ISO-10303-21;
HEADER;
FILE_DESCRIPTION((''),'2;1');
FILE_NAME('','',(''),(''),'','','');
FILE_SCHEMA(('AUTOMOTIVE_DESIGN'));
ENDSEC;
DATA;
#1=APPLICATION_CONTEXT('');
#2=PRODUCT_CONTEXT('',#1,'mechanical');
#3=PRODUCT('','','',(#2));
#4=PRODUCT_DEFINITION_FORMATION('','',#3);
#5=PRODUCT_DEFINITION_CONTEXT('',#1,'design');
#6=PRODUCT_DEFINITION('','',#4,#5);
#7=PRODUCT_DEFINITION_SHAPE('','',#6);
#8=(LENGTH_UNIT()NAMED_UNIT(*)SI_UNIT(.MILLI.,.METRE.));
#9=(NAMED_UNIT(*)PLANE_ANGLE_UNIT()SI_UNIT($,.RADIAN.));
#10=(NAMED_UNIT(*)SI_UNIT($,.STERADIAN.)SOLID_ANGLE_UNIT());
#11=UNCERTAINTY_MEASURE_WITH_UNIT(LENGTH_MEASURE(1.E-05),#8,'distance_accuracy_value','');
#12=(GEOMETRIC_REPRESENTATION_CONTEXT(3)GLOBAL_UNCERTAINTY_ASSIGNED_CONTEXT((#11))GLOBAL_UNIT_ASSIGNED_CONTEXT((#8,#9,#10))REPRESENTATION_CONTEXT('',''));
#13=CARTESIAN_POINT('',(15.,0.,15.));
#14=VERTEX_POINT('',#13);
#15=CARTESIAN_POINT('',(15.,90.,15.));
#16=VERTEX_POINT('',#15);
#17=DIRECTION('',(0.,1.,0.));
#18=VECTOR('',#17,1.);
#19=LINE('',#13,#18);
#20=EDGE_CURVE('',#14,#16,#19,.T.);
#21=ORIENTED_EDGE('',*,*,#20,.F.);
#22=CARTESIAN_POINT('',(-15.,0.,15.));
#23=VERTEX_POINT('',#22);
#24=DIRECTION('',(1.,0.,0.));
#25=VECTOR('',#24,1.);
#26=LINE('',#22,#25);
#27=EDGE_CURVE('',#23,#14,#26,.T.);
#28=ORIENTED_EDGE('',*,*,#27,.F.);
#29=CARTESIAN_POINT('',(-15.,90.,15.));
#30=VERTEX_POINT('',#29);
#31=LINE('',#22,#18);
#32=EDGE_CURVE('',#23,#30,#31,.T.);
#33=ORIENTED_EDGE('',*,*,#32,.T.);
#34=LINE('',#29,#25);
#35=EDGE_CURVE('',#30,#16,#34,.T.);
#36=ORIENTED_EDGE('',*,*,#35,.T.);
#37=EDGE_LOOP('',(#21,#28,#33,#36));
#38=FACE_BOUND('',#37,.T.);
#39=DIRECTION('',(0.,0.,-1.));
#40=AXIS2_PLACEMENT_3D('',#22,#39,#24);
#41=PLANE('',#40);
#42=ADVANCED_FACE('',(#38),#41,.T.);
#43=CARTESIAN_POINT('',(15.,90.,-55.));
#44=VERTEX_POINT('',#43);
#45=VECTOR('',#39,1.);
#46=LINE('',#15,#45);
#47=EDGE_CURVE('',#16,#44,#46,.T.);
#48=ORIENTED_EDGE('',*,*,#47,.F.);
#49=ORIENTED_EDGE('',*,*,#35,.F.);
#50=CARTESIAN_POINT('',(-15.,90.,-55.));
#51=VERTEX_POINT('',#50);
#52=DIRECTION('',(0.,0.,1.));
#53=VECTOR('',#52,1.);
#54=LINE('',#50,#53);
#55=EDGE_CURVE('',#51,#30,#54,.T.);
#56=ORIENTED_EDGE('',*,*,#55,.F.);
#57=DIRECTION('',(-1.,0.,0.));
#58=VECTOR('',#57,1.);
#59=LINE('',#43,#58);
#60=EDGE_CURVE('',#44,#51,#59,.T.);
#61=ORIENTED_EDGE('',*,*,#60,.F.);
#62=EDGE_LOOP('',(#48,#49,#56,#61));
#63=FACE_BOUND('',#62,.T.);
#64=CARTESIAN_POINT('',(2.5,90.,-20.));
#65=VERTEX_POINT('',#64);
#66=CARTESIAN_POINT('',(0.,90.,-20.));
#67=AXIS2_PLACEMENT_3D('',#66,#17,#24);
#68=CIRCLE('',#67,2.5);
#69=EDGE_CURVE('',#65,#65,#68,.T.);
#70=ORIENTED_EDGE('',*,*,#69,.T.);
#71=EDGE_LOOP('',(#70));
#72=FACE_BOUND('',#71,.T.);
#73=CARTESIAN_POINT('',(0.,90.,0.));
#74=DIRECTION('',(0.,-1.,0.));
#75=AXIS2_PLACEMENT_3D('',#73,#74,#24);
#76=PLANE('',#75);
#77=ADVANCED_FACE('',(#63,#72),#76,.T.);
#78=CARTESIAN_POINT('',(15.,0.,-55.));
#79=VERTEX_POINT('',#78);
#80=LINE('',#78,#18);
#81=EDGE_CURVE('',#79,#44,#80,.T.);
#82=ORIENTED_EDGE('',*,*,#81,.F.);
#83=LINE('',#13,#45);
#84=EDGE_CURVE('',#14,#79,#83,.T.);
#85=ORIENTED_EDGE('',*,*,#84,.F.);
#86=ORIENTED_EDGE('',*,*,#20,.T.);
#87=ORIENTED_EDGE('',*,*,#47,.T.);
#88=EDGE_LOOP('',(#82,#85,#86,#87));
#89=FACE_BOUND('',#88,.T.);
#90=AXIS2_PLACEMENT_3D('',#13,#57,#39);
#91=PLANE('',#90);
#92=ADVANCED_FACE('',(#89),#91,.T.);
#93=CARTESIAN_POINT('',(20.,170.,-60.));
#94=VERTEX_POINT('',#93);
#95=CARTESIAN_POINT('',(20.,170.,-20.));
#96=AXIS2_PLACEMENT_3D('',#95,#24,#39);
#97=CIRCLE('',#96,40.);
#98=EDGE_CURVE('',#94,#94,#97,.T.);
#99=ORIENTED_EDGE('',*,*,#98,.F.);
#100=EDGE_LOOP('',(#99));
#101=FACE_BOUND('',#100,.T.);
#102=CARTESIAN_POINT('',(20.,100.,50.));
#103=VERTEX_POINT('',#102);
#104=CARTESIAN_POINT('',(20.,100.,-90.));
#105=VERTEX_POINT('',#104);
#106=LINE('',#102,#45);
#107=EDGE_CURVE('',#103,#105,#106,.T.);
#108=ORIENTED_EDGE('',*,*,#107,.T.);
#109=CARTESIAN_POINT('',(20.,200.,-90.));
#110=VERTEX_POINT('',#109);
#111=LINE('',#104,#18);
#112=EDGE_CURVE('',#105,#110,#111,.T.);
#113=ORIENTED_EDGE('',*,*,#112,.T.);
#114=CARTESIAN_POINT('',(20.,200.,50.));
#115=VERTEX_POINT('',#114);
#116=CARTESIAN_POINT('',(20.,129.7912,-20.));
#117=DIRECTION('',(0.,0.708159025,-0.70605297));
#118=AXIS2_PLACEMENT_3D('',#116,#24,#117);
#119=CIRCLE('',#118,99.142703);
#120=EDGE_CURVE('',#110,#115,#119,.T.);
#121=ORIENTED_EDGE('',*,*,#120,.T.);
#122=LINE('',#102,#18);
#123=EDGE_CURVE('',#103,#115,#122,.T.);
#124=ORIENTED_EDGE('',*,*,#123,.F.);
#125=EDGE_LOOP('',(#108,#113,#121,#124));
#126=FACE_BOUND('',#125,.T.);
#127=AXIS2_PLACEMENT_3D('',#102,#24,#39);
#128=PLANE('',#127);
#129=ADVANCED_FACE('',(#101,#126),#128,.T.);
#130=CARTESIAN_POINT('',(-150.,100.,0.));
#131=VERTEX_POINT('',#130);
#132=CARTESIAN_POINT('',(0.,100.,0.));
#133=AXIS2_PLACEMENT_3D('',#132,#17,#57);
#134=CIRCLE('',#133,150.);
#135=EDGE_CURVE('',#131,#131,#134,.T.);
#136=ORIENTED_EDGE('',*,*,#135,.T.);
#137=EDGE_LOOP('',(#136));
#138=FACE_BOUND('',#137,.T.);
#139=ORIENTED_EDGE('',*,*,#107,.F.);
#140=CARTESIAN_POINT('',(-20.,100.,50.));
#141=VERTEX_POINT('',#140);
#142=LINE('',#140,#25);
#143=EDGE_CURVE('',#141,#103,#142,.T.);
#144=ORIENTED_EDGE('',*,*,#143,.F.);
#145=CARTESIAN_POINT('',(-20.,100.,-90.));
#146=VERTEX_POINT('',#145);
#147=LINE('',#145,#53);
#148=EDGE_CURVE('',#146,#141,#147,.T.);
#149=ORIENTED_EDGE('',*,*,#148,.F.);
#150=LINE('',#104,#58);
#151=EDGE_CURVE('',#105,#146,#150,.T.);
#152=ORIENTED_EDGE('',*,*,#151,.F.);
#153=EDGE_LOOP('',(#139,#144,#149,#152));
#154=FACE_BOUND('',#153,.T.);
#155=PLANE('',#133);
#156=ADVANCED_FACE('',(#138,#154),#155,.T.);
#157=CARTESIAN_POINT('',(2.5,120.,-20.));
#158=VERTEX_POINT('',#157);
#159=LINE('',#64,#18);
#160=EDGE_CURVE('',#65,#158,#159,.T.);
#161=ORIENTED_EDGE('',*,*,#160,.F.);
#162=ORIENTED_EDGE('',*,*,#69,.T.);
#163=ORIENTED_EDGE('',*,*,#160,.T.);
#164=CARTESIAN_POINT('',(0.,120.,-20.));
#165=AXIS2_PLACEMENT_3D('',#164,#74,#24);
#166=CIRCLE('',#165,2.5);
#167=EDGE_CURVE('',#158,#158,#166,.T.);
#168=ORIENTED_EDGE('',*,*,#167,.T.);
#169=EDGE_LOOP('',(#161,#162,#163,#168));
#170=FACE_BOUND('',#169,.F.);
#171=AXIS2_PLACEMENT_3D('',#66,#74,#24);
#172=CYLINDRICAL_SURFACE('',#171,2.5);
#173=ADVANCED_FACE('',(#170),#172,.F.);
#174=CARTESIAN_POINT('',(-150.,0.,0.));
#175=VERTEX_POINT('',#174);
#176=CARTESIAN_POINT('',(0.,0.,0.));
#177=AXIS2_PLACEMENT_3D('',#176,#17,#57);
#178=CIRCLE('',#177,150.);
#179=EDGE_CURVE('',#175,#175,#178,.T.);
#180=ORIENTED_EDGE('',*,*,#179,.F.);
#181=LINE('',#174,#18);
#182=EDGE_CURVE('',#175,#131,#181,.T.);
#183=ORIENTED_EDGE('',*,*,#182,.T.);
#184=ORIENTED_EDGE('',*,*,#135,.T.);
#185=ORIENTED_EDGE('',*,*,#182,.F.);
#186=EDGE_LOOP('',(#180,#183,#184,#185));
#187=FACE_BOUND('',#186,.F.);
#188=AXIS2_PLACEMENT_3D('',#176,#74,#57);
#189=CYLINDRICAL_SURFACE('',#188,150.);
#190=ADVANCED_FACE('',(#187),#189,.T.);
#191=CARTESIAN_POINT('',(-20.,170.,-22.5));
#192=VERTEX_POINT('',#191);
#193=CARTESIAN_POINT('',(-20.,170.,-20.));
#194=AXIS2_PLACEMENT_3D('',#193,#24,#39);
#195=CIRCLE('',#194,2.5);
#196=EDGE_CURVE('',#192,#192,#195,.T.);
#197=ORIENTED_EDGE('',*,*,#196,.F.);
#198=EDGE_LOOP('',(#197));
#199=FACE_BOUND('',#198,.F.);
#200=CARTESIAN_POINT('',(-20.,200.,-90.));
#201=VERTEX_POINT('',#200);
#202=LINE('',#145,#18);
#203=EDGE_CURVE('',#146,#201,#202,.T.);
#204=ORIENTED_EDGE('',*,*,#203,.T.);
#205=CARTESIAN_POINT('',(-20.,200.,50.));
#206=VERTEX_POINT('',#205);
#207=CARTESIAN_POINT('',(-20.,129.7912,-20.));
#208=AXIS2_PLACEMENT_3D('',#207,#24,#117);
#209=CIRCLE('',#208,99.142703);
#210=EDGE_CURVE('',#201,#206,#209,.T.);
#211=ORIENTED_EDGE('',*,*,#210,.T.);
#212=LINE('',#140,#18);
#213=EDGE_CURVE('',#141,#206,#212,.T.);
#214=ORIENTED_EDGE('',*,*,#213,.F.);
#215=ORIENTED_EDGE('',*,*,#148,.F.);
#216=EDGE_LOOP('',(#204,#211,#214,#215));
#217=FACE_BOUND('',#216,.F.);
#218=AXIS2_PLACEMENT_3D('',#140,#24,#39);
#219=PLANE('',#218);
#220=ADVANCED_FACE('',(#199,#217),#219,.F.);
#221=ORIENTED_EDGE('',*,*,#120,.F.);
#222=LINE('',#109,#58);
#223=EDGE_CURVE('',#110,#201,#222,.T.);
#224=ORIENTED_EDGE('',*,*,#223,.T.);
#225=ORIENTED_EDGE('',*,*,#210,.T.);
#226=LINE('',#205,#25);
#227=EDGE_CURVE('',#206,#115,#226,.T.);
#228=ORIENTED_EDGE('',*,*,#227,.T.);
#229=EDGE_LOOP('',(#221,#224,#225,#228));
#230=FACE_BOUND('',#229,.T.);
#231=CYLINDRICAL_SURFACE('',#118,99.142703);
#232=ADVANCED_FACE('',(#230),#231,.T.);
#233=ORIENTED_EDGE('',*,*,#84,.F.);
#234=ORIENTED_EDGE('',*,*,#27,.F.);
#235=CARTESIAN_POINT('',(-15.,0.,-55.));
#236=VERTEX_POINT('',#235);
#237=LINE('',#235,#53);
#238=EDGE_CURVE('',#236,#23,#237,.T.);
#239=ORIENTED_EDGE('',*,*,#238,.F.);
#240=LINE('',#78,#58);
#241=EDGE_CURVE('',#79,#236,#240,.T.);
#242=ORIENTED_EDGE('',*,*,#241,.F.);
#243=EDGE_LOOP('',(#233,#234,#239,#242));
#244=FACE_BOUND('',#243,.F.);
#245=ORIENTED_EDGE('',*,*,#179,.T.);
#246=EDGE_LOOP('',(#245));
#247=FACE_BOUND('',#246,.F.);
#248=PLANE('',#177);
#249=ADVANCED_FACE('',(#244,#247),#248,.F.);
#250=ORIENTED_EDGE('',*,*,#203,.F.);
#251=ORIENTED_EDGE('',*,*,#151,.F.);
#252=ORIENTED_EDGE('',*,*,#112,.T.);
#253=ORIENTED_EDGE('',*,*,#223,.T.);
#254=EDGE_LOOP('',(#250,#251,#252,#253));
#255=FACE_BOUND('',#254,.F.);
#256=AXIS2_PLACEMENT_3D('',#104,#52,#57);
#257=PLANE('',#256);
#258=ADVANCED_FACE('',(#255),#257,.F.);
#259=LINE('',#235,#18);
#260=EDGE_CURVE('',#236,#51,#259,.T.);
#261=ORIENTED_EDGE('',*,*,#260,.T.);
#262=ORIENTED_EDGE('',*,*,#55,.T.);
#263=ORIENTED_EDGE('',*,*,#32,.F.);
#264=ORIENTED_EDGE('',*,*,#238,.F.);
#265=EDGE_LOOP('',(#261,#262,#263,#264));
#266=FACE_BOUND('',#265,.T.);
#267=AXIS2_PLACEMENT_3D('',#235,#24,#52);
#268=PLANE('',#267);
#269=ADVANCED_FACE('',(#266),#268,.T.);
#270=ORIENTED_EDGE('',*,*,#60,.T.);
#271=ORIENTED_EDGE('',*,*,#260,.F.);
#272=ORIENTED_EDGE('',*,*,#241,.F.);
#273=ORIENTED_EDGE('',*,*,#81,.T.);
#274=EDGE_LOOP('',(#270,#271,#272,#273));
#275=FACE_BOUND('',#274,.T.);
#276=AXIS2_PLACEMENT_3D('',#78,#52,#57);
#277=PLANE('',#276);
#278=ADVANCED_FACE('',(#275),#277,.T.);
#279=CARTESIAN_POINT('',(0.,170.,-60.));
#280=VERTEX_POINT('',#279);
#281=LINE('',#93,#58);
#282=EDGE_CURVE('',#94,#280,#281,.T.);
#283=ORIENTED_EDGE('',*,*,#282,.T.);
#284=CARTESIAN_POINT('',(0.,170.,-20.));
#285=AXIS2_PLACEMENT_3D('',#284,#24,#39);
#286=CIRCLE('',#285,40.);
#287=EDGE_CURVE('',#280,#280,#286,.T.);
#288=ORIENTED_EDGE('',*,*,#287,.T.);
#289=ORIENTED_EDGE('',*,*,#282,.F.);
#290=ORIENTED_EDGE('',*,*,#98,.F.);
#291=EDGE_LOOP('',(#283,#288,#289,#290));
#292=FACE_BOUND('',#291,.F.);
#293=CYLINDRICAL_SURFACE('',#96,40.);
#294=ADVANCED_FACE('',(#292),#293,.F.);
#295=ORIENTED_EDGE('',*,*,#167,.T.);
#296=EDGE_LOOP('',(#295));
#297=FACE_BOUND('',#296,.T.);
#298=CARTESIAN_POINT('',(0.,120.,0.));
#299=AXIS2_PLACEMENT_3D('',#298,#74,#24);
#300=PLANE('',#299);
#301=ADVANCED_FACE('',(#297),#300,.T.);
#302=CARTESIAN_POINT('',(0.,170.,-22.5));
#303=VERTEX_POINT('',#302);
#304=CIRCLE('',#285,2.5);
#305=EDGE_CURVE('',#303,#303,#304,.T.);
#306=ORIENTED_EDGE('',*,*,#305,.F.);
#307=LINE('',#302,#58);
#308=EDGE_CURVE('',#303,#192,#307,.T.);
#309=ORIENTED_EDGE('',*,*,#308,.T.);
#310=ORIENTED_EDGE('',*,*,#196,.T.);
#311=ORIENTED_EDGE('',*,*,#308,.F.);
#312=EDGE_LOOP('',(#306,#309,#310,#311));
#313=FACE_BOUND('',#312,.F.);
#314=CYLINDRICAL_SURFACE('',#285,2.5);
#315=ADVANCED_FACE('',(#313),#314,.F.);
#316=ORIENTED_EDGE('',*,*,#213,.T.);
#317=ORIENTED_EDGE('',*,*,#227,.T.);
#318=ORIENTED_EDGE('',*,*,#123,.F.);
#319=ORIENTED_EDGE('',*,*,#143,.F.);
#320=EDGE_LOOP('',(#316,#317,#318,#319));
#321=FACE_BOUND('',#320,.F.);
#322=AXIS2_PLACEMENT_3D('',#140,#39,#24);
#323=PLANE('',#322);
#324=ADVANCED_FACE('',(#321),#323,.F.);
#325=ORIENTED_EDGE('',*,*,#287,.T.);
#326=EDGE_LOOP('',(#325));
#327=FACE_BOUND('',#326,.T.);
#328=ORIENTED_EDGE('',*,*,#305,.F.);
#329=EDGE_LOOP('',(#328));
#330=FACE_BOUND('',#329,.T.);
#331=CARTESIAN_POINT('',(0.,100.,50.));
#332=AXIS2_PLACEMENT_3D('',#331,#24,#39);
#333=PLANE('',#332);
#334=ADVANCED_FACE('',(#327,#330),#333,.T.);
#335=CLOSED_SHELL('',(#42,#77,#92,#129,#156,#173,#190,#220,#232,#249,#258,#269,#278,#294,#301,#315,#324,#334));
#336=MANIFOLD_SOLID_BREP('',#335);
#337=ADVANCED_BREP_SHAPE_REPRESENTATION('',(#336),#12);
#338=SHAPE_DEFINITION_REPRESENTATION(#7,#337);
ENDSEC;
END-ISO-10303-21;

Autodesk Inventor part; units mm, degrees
ref_plane "YZ Plane" through (0, 0, 0) normal (1, 0, 0) x (0, 1, 0)
ref_plane "XZ Plane" through (0, 0, 0) normal (0, 1, 0) x (-1, 0, 0)
ref_plane "XY Plane" through (0, 0, 0) normal (0, 0, 1) x (1, 0, 0)
sketch "Sketch1" plane through (0, 0, 0) normal (0, 1, 0) x (-1, 0, 0)
  circle A0 centre (0, 0) radius 150
  dimension "d0" = 300
extrude "Extrusion1" add sketch "Sketch1" along normal blind 100
sketch "Sketch2" plane through (0, 100, 0) normal (0, 1, 0) x (1, 0, 0)
  line L0 (-20, -50) -> (20, -50)
  line L1 (20, -50) -> (20, 90)
  line L2 (20, 90) -> (-20, 90)
  line L3 (-20, 90) -> (-20, -50)
  point P0 (0, 0)
  dimension "d3" = 140
  dimension "d4" = 40
  dimension "d5" = 50
  dimension "d6" = 20
extrude "Extrusion2" add sketch "Sketch2" along normal blind 100
sketch "Sketch3" plane through (20, 100, 50) normal (1, 0, 0) x (0, 0, -1)
  line L0 (0, 100) -> (140, 100) projected
  arc A0 (140, 100) -> (0, 100) centre (70, 29.7912) ccw
  line L1 (0, 0) -> (0, 100) projected
  line L2 (0, 100) -> (140, 100)
  point P0 (50, -100)
  dimension "d9" = 99.1427
extrude "Extrusion3" add sketch "Sketch3" against normal blind 40
sketch "Sketch4" plane through (20, 100, 50) normal (1, 0, 0) x (0, 0, -1)
  circle A0 centre (70, 70) radius 40
  line L0 (200, 0) -> (-100, 0) projected
  line L1 (0, 0) -> (0, 100) projected
  point P0 (50, -100)
  dimension "d12" = 80
  dimension "d13" = 70
  dimension "d14" = 70
extrude "Extrusion4" cut sketch "Sketch4" against normal blind 20
sketch "Sketch5" plane through (0, 170, -20) normal (1, 0, 0) x (0, 0, -1)
  circle A0 centre (0, 0) radius 2.5
  circle A1 centre (0, 0) radius 40 projected
  point P0 (-20, -170)
  dimension "d20" = 5
extrude "Extrusion5" cut sketch "Sketch5" against normal blind 20 contours A0
sketch "Sketch6" plane through (0, 0, 0) normal (0, -1, 0) x (1, 0, 0)
  line L0 (-20, 50) -> (-20, -90) projected
  line L1 (20, -90) -> (20, 50) projected
  line L2 (20, 50) -> (-20, 50) projected
  line L3 (-20, -90) -> (20, -90) projected
  line L4 (-15, 15) -> (15, 15)
  line L5 (15, 15) -> (15, -55)
  line L6 (15, -55) -> (-15, -55)
  line L7 (-15, -55) -> (-15, 15)
  point P0 (0, 0)
  point P1 (0, 15)
  point P2 (0, 50)
  point P3 (15, -20)
  point P4 (20, -20)
  dimension "d23" = 30
  dimension "d24" = 70
extrude "Extrusion6" cut sketch "Sketch6" against normal blind 90 contours L4 L5 L6 L7
sketch "Sketch7" plane through (0, 90, 0) normal (0, -1, 0) x (1, 0, 0)
  line L0 (15, -55) -> (-15, -55) projected
  line L1 (15, 15) -> (15, -55) projected
  line L2 (-15, 15) -> (15, 15) projected
  line L3 (-15, -55) -> (-15, 15) projected
  line L4 (0, 20) -> (0, -60) projected
  circle A0 centre (0, -20) radius 2.5
  point P0 (0, 0)
  dimension "d28" = 5
extrude "Extrusion7" cut sketch "Sketch7" against normal blind 30 contours A0 L4 | L4 A0
properties part number "Robot_arm_base"
